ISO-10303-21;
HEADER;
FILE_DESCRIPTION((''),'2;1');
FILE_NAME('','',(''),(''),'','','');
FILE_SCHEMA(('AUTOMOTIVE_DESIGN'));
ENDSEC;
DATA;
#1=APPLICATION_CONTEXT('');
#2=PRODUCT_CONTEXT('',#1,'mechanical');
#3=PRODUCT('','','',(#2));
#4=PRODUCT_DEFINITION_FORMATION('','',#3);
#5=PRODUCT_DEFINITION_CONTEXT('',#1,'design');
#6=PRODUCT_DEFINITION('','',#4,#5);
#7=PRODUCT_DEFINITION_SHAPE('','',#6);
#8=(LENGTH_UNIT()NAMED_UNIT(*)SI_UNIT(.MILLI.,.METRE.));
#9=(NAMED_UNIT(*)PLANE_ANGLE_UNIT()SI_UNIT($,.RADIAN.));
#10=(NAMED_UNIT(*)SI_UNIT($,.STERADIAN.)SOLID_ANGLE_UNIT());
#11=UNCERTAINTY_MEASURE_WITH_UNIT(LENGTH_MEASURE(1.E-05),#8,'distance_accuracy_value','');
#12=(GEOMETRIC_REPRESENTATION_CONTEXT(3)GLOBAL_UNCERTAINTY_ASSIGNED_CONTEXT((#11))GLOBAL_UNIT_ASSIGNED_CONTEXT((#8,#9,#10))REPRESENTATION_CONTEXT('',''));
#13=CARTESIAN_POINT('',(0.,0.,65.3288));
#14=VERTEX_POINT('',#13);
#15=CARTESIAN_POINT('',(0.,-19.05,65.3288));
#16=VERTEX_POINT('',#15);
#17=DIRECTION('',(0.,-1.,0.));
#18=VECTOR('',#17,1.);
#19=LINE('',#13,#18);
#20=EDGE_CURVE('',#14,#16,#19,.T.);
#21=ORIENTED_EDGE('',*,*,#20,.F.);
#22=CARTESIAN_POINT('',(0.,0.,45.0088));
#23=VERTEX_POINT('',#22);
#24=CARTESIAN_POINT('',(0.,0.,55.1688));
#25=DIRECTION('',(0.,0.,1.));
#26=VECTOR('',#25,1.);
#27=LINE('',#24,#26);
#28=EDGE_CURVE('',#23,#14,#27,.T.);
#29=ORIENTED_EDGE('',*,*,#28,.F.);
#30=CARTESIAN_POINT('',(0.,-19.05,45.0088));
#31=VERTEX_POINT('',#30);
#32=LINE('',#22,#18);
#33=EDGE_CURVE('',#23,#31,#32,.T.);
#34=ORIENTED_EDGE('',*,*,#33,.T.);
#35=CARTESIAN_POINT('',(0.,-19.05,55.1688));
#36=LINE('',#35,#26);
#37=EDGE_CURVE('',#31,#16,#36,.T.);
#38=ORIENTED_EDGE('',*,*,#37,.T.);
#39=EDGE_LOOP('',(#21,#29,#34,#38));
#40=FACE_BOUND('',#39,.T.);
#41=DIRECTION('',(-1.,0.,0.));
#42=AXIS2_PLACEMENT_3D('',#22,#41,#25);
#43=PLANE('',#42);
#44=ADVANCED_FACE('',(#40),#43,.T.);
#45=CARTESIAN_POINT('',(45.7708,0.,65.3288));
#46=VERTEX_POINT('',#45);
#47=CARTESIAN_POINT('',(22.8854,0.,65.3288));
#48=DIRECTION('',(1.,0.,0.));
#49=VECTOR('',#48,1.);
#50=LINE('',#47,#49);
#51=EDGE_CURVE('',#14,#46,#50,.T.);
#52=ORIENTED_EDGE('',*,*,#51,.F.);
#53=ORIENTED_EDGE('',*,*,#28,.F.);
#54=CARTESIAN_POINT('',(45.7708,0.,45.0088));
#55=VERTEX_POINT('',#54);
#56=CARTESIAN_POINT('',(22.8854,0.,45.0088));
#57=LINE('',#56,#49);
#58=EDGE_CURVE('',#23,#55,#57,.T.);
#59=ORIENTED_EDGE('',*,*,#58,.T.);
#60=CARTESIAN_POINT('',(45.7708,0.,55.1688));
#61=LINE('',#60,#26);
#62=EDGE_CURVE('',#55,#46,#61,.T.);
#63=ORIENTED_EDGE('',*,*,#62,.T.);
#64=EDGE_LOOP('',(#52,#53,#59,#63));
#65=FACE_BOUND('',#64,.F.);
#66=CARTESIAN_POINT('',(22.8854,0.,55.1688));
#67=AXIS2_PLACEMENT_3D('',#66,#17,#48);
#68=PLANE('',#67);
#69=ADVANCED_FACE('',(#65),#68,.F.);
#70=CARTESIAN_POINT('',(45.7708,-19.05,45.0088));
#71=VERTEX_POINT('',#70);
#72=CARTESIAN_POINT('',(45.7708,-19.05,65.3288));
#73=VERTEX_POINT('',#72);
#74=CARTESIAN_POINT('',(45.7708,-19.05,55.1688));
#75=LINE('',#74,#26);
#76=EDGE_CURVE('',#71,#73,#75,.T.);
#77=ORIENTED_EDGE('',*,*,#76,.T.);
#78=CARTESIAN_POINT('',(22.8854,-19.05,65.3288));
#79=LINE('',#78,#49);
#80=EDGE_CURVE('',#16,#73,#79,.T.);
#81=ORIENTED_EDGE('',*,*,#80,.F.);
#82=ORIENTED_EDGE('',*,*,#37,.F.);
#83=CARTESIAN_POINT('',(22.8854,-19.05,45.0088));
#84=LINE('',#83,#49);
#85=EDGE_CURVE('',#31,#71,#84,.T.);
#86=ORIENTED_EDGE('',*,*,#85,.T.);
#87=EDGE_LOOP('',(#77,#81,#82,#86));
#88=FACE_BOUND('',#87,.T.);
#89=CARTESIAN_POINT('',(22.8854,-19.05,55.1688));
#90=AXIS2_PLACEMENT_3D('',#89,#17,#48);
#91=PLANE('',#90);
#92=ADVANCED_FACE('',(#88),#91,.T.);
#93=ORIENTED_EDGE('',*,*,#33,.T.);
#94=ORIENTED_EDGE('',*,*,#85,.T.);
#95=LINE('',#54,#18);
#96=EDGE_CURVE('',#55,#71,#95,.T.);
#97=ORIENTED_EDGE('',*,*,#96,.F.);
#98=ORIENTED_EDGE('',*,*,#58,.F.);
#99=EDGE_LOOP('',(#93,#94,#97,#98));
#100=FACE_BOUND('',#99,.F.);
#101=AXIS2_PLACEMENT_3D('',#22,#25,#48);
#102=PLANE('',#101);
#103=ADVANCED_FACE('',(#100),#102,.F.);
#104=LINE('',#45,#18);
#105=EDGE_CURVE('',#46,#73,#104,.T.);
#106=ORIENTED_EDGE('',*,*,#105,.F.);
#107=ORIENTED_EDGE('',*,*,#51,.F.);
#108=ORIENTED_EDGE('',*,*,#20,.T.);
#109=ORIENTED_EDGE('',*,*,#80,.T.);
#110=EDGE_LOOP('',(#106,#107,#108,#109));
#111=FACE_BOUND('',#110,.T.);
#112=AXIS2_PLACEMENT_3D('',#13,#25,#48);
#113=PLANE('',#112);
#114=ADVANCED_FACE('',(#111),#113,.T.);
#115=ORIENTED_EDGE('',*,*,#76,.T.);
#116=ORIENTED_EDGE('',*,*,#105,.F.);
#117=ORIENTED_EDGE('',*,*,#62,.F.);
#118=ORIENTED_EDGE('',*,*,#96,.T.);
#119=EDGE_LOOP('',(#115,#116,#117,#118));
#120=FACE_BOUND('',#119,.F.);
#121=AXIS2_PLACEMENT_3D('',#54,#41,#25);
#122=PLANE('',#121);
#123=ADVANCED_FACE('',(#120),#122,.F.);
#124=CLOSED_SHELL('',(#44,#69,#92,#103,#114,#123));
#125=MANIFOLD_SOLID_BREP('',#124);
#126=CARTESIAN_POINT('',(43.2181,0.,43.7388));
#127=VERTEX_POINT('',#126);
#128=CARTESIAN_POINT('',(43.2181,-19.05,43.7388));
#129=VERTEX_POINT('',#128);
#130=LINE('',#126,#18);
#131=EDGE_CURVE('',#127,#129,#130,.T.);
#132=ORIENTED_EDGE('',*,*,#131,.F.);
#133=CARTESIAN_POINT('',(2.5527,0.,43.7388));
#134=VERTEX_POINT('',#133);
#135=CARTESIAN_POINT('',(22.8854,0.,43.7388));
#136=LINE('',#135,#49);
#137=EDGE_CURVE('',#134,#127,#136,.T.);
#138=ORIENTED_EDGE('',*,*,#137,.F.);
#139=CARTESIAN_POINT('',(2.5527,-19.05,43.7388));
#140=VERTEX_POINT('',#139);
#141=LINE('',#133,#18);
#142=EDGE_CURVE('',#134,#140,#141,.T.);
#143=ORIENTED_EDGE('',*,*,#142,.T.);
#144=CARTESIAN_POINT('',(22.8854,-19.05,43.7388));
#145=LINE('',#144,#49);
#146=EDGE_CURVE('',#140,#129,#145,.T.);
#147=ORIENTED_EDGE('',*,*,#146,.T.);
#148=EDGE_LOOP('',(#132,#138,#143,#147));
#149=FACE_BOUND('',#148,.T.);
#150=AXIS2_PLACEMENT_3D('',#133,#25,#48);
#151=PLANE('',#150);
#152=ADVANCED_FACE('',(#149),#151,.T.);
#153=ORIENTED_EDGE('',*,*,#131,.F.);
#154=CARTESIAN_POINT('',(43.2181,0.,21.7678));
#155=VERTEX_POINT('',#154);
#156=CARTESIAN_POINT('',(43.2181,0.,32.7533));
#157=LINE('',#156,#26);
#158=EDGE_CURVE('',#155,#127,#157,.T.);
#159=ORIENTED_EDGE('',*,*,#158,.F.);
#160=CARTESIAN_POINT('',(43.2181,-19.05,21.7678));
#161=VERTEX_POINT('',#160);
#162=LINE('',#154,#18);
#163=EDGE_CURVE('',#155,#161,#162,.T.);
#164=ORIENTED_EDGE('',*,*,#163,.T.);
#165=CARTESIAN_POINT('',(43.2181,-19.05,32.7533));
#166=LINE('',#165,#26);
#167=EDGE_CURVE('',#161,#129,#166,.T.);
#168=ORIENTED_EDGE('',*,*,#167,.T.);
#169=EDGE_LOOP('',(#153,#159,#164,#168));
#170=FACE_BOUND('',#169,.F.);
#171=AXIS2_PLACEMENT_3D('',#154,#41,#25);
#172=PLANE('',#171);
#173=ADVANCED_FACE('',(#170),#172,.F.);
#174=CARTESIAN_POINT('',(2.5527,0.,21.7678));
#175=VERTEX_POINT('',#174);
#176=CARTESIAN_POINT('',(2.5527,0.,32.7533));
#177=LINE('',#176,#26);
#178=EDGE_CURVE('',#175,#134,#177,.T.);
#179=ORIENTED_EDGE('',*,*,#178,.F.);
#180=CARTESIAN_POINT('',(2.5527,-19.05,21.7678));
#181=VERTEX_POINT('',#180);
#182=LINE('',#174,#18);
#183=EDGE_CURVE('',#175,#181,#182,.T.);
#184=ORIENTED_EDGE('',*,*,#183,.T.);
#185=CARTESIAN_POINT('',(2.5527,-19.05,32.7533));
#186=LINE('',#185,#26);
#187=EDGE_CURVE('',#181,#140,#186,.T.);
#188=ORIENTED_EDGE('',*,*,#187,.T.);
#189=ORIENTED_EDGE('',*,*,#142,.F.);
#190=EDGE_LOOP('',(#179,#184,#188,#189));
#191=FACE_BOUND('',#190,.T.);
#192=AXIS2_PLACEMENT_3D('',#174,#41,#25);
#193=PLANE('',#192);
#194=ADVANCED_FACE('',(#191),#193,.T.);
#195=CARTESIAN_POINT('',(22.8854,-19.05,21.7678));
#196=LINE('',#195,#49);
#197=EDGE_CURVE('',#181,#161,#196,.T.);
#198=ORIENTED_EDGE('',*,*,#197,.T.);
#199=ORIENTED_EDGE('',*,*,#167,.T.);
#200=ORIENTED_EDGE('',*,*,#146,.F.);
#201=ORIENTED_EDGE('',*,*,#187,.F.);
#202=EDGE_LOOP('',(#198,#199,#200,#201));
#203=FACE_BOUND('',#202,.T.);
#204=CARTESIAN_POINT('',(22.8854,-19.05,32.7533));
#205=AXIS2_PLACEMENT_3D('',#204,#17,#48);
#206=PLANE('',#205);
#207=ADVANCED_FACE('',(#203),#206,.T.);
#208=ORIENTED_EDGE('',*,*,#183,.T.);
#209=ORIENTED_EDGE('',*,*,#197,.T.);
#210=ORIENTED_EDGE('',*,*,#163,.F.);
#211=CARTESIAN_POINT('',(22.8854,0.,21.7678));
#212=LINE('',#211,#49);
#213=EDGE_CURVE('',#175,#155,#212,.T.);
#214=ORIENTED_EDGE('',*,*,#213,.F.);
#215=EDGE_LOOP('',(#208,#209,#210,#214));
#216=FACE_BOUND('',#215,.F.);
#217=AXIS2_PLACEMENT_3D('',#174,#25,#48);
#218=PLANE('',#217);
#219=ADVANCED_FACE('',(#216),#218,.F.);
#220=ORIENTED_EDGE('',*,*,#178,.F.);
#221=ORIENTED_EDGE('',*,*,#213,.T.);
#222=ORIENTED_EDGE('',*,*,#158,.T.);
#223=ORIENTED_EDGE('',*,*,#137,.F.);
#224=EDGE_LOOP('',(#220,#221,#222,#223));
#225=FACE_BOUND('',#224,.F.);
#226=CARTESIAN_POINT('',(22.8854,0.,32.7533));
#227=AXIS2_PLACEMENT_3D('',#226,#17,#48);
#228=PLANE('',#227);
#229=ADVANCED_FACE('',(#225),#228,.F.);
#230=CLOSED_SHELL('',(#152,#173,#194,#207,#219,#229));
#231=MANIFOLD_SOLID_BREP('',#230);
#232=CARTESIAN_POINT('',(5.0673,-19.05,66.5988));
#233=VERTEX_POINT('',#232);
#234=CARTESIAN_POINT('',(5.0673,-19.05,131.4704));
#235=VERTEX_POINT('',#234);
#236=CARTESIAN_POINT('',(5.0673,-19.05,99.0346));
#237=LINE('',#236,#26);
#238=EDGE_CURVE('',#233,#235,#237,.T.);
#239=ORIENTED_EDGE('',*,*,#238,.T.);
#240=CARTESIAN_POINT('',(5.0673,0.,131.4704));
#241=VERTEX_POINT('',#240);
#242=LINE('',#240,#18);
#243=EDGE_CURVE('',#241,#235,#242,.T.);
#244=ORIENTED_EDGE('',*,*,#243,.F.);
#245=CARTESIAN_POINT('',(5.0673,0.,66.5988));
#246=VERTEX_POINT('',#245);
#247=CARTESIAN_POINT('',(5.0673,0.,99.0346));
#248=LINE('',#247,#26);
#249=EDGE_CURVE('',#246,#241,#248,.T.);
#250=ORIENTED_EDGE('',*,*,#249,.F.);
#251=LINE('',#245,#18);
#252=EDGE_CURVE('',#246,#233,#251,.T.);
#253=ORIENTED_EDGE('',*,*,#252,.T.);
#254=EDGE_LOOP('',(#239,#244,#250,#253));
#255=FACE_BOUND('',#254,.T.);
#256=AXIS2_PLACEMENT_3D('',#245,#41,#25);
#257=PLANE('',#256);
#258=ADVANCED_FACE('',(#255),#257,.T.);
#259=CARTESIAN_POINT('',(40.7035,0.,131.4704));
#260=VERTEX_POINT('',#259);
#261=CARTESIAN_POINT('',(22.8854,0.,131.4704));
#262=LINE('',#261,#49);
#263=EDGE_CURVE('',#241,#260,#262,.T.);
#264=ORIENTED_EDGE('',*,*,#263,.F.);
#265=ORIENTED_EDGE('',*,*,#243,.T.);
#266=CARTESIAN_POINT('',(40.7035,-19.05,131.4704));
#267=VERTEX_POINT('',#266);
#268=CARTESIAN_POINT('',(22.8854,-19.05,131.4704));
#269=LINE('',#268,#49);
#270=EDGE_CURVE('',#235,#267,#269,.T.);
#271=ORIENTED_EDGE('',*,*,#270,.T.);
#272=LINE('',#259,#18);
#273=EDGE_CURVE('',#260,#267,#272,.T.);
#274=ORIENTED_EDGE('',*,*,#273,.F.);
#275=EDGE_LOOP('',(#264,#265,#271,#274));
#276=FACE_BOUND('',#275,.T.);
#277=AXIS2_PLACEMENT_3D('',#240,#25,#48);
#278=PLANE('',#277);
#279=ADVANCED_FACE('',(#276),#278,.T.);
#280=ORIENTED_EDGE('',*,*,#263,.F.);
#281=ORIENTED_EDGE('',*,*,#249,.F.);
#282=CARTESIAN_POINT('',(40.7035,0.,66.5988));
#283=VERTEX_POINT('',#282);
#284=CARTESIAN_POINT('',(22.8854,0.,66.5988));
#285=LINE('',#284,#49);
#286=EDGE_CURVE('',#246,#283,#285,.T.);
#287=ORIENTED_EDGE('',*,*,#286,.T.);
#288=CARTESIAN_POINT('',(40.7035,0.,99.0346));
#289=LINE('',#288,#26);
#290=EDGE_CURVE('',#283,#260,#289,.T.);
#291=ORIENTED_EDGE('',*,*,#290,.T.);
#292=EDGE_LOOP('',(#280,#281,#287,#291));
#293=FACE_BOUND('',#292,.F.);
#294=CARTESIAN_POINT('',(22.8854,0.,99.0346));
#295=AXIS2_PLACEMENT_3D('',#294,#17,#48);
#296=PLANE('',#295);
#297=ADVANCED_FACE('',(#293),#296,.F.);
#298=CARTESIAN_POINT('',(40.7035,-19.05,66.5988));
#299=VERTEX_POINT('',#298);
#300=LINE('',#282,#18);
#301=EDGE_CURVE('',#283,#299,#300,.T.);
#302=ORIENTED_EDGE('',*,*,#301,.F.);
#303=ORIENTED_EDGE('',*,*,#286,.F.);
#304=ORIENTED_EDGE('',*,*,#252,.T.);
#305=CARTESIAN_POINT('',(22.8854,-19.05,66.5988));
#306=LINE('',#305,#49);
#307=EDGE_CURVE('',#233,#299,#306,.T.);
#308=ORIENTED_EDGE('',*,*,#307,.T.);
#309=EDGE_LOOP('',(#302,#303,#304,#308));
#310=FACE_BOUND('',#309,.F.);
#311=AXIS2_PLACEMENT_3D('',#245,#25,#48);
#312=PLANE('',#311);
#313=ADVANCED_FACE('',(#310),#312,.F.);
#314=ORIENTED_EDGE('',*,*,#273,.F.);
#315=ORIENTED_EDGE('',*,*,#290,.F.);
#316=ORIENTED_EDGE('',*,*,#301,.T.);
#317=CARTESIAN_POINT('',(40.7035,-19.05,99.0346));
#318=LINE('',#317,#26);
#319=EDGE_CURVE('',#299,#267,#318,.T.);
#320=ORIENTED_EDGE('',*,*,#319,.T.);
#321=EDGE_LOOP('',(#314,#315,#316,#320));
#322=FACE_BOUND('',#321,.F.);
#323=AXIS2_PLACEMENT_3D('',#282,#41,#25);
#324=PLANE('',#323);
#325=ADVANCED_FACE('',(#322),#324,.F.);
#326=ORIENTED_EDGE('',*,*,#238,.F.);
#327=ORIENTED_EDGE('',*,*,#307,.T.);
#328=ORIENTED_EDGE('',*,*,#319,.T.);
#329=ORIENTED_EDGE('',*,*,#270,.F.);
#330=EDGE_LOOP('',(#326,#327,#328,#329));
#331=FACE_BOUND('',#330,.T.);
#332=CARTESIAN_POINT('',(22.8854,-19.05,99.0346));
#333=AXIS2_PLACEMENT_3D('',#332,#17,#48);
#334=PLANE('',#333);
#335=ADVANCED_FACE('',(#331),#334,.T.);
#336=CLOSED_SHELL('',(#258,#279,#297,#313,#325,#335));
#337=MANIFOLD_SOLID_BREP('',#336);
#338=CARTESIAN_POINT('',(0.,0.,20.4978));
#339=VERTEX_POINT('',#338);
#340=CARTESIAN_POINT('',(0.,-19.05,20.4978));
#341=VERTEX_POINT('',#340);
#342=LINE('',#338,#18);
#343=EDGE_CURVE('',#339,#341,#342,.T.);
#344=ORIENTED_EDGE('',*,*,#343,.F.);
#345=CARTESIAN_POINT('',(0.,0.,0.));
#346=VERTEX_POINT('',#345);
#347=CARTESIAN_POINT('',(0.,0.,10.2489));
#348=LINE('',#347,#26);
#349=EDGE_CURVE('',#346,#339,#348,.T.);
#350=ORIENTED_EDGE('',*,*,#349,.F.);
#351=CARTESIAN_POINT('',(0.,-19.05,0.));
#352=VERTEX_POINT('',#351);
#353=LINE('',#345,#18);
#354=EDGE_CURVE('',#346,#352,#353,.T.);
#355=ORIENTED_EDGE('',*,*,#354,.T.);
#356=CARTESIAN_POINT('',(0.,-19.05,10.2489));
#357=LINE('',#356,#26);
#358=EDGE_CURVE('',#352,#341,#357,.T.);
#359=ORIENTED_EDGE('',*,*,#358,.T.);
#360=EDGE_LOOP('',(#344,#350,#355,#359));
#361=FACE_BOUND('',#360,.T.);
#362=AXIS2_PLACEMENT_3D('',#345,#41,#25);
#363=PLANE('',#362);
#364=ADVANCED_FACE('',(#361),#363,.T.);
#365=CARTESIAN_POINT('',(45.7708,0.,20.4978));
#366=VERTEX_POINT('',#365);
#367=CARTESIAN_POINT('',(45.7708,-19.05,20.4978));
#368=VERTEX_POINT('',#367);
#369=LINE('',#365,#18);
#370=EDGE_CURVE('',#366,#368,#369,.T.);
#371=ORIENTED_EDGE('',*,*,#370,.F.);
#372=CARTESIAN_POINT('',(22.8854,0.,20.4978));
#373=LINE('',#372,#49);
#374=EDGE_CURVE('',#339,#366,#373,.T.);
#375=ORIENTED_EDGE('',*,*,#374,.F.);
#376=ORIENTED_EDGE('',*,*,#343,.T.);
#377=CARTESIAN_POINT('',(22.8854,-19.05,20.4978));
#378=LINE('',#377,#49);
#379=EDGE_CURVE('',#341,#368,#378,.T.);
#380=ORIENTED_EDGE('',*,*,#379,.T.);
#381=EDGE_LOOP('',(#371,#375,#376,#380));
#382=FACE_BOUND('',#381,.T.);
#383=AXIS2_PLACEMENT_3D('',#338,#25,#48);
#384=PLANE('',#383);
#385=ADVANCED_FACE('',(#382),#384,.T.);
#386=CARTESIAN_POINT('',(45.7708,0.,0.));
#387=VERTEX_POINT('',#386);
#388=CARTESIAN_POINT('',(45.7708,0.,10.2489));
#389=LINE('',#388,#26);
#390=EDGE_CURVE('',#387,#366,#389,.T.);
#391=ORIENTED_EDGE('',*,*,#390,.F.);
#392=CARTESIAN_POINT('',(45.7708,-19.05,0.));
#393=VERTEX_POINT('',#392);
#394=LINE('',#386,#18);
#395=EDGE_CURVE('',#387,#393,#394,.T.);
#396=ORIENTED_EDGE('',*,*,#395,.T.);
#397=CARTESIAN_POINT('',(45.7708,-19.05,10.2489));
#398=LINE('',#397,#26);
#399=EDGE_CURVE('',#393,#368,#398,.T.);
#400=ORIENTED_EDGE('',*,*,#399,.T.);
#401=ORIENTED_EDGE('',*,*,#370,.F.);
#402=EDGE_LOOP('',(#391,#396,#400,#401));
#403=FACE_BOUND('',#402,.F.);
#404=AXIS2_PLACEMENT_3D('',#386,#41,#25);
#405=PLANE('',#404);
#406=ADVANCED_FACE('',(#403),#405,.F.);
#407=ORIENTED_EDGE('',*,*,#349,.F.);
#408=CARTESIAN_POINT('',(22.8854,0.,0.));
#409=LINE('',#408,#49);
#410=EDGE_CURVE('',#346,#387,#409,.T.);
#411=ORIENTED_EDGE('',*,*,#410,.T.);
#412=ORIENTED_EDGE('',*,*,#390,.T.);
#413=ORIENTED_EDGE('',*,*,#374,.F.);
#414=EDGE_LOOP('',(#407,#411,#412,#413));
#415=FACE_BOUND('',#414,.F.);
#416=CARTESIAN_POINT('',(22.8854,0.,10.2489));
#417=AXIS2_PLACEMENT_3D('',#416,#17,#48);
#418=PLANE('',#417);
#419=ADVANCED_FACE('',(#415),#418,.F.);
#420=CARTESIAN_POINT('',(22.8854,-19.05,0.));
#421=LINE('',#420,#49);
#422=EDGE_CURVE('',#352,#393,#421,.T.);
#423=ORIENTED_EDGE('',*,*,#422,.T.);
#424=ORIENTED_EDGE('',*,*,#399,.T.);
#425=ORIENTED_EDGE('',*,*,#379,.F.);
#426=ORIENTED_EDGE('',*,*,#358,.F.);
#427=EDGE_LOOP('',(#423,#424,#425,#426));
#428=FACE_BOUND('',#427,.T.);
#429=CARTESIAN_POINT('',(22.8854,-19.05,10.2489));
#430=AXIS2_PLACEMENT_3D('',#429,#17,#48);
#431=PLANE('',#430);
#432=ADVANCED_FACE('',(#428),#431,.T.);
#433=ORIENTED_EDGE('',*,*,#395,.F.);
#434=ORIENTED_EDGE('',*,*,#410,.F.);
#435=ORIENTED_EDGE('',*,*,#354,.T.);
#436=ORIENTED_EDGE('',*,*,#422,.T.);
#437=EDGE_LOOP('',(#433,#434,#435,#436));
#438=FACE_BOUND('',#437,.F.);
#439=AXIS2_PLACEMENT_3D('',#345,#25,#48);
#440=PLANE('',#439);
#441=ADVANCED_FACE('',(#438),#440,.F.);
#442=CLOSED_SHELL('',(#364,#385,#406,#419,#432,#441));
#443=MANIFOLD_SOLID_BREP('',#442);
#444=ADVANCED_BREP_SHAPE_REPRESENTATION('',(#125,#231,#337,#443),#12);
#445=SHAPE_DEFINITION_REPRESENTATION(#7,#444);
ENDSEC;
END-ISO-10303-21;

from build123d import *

# Parameters (mm, degrees)
F0_W     = 45.7708
F0_H     = 20.4978
F0_W_2   = 40.6654
F0_H_2   = 21.971
F0_H_3   = 20.32
F0_W_3   = 35.6362
F0_H_4   = 64.8716
F1_DEPTH = 19.05


with BuildPart() as f1:
    # F0 (on Front) → F1 (new body)
    with BuildSketch(Plane.XZ):
        with Locations((22.8854, 10.2489)):
            Rectangle(F0_W, F0_H)
        with Locations((22.8854, 32.7533)):
            Rectangle(F0_W_2, F0_H_2)
        with Locations((22.8854, 55.1688)):
            Rectangle(F0_W, F0_H_3)
        with Locations((22.8854, 99.0346)):
            Rectangle(F0_W_3, F0_H_4)
    extrude(amount=F1_DEPTH)


solid = f1.part
